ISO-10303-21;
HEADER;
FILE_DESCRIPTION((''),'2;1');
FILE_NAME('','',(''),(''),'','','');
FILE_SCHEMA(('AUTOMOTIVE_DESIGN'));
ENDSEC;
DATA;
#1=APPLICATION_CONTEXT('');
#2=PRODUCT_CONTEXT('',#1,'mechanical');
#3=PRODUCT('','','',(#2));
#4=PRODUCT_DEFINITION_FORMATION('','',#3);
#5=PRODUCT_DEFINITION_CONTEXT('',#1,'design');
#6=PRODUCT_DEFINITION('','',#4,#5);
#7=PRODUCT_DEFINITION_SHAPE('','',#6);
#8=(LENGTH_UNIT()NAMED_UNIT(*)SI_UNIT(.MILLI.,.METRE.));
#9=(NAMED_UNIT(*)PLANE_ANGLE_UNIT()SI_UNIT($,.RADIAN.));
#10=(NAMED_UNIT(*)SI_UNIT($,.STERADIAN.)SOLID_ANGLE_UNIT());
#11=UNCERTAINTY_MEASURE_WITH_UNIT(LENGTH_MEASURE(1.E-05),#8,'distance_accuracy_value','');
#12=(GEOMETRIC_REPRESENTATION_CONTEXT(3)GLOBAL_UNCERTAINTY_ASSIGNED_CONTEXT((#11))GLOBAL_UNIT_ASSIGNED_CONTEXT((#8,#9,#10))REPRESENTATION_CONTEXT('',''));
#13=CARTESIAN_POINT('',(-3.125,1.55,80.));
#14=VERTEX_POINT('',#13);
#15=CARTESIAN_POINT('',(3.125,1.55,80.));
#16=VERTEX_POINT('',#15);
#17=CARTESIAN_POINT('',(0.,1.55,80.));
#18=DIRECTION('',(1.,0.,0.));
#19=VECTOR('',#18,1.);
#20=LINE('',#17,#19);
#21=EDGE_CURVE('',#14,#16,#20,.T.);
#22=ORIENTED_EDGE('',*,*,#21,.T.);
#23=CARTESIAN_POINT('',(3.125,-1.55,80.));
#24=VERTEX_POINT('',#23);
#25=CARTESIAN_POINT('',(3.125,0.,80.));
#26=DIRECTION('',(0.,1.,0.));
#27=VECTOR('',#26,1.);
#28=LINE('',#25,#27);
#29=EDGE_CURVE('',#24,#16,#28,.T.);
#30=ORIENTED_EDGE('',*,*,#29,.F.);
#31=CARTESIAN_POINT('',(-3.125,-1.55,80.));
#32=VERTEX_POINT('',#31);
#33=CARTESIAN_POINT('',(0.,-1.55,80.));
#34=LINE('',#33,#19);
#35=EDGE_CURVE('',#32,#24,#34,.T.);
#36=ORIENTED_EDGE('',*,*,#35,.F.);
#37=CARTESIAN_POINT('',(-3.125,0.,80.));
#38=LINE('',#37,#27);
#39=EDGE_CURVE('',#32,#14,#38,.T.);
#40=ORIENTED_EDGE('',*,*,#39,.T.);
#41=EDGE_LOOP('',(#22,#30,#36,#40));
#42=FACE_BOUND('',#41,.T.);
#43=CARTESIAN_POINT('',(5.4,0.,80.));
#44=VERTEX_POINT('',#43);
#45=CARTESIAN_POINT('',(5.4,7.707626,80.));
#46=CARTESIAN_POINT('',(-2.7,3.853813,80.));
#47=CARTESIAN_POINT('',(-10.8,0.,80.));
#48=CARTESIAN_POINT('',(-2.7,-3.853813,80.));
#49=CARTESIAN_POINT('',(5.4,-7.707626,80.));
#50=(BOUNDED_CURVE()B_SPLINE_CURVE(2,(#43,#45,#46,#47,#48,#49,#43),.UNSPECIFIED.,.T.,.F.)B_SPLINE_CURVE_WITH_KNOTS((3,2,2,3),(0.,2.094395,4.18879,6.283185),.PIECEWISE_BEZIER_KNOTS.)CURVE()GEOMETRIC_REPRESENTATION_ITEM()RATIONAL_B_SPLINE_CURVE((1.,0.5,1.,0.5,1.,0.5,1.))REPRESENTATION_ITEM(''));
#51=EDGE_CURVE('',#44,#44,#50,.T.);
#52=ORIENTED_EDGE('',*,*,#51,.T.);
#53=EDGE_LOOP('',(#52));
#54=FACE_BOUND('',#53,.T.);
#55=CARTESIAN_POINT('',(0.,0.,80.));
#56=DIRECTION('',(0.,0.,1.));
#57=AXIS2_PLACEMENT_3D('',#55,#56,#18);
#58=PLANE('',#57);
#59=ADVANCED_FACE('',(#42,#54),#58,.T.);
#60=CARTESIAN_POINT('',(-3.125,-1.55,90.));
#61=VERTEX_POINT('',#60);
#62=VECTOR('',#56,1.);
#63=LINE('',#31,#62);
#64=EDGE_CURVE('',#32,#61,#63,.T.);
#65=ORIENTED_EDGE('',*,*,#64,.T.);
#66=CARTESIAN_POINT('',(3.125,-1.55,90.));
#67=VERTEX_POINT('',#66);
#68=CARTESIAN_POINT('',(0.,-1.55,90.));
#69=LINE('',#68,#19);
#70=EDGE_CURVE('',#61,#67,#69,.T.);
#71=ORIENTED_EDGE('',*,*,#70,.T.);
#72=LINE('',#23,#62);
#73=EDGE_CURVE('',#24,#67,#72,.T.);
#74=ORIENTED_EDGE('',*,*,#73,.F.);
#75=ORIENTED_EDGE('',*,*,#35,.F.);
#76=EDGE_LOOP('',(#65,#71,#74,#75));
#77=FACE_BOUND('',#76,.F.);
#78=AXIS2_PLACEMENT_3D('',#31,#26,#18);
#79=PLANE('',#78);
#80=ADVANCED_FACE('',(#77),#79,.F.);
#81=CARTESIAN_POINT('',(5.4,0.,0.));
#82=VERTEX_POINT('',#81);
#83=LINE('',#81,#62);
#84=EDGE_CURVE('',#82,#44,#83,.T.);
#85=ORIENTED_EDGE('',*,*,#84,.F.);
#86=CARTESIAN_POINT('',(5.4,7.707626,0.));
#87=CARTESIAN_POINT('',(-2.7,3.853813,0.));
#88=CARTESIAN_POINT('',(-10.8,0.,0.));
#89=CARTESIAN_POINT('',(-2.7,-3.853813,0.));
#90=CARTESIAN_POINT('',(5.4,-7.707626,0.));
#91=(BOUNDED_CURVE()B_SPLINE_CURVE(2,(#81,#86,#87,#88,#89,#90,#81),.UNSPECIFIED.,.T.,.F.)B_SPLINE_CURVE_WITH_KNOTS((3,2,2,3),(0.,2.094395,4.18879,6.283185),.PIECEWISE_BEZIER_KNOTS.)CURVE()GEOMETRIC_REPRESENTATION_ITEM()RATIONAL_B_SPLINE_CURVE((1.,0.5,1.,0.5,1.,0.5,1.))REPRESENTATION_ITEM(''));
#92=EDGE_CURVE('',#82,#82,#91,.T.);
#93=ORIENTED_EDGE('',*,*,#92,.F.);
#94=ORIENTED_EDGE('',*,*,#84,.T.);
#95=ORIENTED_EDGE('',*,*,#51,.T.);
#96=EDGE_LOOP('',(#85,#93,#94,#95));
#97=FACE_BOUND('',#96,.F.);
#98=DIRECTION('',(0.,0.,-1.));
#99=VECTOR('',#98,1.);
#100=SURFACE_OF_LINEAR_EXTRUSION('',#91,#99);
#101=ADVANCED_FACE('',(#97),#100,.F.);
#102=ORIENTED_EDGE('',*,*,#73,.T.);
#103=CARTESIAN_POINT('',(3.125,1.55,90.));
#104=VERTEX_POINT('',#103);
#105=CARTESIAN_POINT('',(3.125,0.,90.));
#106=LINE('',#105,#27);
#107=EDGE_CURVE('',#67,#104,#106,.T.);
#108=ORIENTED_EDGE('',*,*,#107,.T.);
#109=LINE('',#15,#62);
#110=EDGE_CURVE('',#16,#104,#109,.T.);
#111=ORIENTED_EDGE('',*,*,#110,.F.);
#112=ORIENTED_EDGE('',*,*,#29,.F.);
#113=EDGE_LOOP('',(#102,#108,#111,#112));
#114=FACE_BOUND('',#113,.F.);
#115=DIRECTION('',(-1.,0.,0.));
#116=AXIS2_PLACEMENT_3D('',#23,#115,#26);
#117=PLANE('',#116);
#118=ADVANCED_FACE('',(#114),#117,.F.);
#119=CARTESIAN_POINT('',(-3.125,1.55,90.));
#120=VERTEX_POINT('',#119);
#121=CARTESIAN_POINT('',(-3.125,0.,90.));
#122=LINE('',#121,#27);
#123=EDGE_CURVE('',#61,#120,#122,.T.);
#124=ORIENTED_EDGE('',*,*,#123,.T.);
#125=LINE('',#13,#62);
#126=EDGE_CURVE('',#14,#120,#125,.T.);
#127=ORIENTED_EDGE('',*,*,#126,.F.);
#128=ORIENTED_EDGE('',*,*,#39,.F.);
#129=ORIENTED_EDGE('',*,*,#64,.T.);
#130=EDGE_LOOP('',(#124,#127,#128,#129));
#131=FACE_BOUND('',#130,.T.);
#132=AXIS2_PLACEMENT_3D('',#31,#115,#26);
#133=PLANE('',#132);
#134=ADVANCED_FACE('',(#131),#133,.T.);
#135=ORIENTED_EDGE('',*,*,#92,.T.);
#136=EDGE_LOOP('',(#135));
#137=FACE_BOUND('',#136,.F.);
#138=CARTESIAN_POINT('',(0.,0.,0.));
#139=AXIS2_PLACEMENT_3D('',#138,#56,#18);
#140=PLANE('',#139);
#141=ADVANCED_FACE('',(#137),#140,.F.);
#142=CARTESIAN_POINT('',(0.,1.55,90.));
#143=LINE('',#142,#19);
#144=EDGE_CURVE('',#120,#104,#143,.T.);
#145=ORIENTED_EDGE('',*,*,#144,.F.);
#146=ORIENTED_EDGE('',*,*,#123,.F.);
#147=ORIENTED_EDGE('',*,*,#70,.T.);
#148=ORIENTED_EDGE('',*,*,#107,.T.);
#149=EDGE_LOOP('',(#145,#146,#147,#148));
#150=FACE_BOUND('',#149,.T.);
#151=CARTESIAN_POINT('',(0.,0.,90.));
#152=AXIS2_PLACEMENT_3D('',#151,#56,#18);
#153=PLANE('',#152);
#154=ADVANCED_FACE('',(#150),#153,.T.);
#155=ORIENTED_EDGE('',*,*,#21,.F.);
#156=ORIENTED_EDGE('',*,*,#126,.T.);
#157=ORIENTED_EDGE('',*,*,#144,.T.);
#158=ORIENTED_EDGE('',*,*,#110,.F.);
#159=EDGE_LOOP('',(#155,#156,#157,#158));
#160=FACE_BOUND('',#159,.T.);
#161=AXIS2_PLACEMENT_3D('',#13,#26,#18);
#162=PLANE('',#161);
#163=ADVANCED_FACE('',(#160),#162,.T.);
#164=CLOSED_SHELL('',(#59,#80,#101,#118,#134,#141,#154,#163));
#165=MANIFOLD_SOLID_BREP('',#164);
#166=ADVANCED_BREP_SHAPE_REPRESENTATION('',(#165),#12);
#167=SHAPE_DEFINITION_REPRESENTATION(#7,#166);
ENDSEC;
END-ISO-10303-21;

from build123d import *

# Parameters (mm, degrees)
F1_DEPTH = 80
F2_W     = 6.25
F2_H     = 3.1
F3_DEPTH = 10


with BuildPart() as f1:
    # F0 (on Top) → F1 (new body)
    with BuildSketch(Plane.XY):
        with BuildLine():
            add(Edge.make_bspline(
                [(5.4, 0), (5.4, 7.707626), (-2.7, 3.853813), (-10.8, 0), (-2.7, -3.853813), (5.4, -7.707626), (5.4, 0)],
                knots=[0, 0, 0, 2.094395, 2.094395, 4.18879, 4.18879, 6.283185, 6.283185, 6.283185], degree=2, weights=[1, 0.5, 1, 0.5, 1, 0.5, 1]))
        make_face()
    extrude(amount=F1_DEPTH)

    # F2 (on face) → F3 (join)
    with BuildSketch(Plane.XY.offset(80)):
        Rectangle(F2_W, F2_H)
    extrude(amount=F3_DEPTH)


solid = f1.part
